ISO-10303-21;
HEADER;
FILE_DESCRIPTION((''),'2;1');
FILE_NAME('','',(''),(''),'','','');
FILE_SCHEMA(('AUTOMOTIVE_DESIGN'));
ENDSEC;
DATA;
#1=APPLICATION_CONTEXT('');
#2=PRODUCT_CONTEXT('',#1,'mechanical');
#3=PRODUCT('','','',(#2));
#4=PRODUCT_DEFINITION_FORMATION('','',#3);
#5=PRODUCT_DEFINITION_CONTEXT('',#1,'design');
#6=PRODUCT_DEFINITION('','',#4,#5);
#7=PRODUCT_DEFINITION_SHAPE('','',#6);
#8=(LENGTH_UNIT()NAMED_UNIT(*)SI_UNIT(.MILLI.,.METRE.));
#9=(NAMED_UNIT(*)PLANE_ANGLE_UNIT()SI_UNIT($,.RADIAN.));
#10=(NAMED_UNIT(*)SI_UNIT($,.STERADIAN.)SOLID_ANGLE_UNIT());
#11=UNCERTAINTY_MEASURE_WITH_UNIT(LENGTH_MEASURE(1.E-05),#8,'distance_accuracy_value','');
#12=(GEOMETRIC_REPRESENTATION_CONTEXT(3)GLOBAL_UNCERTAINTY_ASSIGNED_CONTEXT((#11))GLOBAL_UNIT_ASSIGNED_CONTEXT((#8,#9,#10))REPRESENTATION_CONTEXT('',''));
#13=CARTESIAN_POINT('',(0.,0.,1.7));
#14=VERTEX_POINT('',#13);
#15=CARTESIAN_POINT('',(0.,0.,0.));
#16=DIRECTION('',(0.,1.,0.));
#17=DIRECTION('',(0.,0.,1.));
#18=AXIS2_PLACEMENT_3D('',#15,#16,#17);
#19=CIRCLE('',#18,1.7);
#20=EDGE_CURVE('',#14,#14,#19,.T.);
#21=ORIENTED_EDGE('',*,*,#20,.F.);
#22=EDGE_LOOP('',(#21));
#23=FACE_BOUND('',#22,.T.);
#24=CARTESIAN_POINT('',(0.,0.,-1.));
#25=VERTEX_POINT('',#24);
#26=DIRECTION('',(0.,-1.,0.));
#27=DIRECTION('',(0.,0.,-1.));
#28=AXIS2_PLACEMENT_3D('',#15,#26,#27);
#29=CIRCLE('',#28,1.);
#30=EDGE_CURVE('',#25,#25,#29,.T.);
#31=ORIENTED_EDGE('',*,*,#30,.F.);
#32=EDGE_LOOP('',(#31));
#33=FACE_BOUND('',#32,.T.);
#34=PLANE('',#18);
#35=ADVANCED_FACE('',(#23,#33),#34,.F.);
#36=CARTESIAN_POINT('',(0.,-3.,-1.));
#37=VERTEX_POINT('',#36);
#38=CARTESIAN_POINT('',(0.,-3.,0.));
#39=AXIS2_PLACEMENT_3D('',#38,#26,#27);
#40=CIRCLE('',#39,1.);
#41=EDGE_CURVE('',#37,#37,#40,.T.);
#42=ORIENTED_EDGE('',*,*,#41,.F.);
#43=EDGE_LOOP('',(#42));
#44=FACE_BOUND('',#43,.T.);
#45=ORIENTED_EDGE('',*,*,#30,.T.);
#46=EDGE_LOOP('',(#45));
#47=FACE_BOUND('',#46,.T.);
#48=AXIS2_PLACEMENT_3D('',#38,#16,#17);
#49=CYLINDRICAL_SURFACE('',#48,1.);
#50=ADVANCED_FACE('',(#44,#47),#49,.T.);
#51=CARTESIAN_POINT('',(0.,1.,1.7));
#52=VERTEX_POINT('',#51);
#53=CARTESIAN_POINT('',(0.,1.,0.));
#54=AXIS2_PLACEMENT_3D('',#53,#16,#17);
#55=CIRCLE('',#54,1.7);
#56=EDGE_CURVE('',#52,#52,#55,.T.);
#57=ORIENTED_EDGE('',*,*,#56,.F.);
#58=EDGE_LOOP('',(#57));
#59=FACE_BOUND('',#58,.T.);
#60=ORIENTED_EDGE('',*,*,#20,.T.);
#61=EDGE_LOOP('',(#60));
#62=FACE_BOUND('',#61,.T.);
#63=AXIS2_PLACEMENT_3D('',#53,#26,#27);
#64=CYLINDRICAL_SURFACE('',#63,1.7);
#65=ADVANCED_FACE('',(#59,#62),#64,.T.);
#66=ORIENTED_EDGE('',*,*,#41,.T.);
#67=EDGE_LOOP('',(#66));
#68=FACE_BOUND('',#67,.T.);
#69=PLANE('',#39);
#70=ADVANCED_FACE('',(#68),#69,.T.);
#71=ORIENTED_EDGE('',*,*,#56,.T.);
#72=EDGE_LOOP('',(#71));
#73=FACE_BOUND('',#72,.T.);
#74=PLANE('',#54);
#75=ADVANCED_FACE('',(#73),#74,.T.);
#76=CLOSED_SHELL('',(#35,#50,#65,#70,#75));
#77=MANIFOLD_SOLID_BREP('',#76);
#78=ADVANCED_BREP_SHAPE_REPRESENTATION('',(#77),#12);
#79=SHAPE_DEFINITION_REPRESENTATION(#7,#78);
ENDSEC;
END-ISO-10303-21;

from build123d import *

# Parameters (mm, degrees)
SKETCH_1_R      = 1.7
EXTRUDE_1_DEPTH = 1
SKETCH_2_R      = 1
EXTRUDE_2_DEPTH = 3


with BuildPart() as part:
    # 스케치1 → 보스-돌출1 (new body)
    with BuildSketch(Plane(origin=(0, 0, 0), x_dir=(1, 0, 0), z_dir=(0, 1, 0))):
        with Locations(Location((0, 0, 0), (0, 0, 270))):
            Circle(SKETCH_1_R)
    extrude(amount=EXTRUDE_1_DEPTH)

    # 스케치2 → 보스-돌출2 (add)
    with BuildSketch(Plane.XZ):
        with Locations(Location((0, 0, 0), (0, 0, 270))):
            Circle(SKETCH_2_R)
    extrude(amount=EXTRUDE_2_DEPTH)


solid = part.part
